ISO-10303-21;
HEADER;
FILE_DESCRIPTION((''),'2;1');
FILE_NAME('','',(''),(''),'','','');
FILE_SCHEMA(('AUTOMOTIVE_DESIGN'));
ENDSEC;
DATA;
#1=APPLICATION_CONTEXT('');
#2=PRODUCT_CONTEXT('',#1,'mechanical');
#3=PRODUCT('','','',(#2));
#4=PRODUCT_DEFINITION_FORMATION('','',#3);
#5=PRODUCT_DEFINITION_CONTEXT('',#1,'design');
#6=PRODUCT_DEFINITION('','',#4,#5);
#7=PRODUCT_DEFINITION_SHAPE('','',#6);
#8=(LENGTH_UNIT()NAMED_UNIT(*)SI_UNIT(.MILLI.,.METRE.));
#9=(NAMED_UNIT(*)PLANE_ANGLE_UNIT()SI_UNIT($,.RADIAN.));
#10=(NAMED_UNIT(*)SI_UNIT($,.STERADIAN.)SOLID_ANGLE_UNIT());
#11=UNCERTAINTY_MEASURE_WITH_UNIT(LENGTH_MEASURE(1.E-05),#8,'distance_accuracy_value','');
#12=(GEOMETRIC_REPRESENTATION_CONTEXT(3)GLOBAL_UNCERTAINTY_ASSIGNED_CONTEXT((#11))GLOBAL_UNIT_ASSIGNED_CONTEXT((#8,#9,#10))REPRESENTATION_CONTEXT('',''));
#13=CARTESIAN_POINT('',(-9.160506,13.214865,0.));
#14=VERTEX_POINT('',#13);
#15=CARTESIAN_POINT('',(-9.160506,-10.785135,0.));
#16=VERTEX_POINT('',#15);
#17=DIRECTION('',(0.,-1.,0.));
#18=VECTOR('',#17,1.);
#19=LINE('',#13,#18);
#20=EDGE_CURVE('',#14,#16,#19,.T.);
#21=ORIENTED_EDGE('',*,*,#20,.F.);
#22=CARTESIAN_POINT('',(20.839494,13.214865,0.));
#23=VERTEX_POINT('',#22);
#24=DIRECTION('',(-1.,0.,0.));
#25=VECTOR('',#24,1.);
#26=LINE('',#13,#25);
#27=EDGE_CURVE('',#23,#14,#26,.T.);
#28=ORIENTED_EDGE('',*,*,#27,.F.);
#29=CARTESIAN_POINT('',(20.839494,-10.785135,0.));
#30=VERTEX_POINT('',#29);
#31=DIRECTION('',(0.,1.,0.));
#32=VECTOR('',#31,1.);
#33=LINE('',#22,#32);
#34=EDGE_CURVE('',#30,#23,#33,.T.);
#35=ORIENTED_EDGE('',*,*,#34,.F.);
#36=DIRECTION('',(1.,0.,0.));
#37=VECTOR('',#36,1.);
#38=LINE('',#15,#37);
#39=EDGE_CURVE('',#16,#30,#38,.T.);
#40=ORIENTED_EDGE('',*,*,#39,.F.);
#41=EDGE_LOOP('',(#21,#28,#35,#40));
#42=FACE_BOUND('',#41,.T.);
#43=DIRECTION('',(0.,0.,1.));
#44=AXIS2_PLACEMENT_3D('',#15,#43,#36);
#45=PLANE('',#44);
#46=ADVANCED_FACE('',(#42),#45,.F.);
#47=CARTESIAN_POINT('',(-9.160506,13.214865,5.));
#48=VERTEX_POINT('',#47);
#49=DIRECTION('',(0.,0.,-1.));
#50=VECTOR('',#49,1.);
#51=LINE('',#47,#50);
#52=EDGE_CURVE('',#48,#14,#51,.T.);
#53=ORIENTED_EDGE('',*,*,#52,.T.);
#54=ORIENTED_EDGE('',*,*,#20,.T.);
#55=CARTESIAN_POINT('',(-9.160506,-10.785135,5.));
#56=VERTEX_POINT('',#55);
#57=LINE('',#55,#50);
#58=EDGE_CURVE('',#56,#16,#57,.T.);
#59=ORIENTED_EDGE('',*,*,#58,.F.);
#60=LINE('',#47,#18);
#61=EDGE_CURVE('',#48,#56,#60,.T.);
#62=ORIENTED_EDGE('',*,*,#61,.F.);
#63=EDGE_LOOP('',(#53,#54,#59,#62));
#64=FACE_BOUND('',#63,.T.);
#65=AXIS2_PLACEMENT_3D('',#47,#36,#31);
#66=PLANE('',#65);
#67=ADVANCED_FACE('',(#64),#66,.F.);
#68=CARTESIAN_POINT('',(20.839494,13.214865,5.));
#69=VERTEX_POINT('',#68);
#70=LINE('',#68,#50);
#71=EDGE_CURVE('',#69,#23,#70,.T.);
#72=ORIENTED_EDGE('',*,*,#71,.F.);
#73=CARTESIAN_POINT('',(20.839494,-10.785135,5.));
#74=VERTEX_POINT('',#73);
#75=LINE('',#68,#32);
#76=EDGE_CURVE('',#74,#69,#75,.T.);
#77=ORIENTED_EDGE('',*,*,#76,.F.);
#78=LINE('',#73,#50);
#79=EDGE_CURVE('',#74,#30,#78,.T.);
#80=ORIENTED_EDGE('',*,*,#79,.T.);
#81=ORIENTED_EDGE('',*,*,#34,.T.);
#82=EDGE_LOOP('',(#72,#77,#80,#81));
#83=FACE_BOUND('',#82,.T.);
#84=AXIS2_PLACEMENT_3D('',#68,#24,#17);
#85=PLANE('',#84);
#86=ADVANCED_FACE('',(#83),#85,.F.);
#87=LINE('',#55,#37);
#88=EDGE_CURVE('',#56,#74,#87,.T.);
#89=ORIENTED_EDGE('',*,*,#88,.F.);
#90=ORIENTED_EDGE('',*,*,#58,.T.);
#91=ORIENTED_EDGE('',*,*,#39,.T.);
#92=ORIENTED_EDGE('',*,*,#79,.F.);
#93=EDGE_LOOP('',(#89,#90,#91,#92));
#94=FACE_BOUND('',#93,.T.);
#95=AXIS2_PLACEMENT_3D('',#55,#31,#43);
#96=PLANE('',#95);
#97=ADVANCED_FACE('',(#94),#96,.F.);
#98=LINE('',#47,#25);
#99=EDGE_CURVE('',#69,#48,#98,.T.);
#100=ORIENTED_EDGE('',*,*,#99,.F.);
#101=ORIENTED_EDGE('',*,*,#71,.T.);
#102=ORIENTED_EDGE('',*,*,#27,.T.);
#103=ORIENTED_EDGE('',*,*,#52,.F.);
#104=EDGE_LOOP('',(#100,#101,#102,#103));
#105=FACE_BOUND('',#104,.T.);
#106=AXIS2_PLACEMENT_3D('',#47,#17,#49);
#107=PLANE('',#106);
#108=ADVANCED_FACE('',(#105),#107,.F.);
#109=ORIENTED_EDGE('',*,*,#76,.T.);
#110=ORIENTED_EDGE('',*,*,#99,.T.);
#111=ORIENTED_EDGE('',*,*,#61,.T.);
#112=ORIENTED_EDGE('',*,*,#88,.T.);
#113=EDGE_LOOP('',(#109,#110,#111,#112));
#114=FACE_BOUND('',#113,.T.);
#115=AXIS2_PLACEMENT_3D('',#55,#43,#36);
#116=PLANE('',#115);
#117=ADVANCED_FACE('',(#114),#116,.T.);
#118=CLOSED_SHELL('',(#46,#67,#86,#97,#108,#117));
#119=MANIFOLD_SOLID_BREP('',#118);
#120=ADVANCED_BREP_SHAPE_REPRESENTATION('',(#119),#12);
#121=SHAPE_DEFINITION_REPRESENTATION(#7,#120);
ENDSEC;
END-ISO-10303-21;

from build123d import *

# Parameters (mm, degrees)
ESQUISSE1_W        = 30
ESQUISSE1_H        = 24
BOSS_EXTRU_1_DEPTH = 5


with BuildPart() as part:
    # Esquisse1 → Boss.-Extru.1 (new body)
    with BuildSketch(Plane.XY):
        with Locations((5.839494196, 1.214864865)):
            Rectangle(ESQUISSE1_W, ESQUISSE1_H)
    extrude(amount=BOSS_EXTRU_1_DEPTH)


solid = part.part
